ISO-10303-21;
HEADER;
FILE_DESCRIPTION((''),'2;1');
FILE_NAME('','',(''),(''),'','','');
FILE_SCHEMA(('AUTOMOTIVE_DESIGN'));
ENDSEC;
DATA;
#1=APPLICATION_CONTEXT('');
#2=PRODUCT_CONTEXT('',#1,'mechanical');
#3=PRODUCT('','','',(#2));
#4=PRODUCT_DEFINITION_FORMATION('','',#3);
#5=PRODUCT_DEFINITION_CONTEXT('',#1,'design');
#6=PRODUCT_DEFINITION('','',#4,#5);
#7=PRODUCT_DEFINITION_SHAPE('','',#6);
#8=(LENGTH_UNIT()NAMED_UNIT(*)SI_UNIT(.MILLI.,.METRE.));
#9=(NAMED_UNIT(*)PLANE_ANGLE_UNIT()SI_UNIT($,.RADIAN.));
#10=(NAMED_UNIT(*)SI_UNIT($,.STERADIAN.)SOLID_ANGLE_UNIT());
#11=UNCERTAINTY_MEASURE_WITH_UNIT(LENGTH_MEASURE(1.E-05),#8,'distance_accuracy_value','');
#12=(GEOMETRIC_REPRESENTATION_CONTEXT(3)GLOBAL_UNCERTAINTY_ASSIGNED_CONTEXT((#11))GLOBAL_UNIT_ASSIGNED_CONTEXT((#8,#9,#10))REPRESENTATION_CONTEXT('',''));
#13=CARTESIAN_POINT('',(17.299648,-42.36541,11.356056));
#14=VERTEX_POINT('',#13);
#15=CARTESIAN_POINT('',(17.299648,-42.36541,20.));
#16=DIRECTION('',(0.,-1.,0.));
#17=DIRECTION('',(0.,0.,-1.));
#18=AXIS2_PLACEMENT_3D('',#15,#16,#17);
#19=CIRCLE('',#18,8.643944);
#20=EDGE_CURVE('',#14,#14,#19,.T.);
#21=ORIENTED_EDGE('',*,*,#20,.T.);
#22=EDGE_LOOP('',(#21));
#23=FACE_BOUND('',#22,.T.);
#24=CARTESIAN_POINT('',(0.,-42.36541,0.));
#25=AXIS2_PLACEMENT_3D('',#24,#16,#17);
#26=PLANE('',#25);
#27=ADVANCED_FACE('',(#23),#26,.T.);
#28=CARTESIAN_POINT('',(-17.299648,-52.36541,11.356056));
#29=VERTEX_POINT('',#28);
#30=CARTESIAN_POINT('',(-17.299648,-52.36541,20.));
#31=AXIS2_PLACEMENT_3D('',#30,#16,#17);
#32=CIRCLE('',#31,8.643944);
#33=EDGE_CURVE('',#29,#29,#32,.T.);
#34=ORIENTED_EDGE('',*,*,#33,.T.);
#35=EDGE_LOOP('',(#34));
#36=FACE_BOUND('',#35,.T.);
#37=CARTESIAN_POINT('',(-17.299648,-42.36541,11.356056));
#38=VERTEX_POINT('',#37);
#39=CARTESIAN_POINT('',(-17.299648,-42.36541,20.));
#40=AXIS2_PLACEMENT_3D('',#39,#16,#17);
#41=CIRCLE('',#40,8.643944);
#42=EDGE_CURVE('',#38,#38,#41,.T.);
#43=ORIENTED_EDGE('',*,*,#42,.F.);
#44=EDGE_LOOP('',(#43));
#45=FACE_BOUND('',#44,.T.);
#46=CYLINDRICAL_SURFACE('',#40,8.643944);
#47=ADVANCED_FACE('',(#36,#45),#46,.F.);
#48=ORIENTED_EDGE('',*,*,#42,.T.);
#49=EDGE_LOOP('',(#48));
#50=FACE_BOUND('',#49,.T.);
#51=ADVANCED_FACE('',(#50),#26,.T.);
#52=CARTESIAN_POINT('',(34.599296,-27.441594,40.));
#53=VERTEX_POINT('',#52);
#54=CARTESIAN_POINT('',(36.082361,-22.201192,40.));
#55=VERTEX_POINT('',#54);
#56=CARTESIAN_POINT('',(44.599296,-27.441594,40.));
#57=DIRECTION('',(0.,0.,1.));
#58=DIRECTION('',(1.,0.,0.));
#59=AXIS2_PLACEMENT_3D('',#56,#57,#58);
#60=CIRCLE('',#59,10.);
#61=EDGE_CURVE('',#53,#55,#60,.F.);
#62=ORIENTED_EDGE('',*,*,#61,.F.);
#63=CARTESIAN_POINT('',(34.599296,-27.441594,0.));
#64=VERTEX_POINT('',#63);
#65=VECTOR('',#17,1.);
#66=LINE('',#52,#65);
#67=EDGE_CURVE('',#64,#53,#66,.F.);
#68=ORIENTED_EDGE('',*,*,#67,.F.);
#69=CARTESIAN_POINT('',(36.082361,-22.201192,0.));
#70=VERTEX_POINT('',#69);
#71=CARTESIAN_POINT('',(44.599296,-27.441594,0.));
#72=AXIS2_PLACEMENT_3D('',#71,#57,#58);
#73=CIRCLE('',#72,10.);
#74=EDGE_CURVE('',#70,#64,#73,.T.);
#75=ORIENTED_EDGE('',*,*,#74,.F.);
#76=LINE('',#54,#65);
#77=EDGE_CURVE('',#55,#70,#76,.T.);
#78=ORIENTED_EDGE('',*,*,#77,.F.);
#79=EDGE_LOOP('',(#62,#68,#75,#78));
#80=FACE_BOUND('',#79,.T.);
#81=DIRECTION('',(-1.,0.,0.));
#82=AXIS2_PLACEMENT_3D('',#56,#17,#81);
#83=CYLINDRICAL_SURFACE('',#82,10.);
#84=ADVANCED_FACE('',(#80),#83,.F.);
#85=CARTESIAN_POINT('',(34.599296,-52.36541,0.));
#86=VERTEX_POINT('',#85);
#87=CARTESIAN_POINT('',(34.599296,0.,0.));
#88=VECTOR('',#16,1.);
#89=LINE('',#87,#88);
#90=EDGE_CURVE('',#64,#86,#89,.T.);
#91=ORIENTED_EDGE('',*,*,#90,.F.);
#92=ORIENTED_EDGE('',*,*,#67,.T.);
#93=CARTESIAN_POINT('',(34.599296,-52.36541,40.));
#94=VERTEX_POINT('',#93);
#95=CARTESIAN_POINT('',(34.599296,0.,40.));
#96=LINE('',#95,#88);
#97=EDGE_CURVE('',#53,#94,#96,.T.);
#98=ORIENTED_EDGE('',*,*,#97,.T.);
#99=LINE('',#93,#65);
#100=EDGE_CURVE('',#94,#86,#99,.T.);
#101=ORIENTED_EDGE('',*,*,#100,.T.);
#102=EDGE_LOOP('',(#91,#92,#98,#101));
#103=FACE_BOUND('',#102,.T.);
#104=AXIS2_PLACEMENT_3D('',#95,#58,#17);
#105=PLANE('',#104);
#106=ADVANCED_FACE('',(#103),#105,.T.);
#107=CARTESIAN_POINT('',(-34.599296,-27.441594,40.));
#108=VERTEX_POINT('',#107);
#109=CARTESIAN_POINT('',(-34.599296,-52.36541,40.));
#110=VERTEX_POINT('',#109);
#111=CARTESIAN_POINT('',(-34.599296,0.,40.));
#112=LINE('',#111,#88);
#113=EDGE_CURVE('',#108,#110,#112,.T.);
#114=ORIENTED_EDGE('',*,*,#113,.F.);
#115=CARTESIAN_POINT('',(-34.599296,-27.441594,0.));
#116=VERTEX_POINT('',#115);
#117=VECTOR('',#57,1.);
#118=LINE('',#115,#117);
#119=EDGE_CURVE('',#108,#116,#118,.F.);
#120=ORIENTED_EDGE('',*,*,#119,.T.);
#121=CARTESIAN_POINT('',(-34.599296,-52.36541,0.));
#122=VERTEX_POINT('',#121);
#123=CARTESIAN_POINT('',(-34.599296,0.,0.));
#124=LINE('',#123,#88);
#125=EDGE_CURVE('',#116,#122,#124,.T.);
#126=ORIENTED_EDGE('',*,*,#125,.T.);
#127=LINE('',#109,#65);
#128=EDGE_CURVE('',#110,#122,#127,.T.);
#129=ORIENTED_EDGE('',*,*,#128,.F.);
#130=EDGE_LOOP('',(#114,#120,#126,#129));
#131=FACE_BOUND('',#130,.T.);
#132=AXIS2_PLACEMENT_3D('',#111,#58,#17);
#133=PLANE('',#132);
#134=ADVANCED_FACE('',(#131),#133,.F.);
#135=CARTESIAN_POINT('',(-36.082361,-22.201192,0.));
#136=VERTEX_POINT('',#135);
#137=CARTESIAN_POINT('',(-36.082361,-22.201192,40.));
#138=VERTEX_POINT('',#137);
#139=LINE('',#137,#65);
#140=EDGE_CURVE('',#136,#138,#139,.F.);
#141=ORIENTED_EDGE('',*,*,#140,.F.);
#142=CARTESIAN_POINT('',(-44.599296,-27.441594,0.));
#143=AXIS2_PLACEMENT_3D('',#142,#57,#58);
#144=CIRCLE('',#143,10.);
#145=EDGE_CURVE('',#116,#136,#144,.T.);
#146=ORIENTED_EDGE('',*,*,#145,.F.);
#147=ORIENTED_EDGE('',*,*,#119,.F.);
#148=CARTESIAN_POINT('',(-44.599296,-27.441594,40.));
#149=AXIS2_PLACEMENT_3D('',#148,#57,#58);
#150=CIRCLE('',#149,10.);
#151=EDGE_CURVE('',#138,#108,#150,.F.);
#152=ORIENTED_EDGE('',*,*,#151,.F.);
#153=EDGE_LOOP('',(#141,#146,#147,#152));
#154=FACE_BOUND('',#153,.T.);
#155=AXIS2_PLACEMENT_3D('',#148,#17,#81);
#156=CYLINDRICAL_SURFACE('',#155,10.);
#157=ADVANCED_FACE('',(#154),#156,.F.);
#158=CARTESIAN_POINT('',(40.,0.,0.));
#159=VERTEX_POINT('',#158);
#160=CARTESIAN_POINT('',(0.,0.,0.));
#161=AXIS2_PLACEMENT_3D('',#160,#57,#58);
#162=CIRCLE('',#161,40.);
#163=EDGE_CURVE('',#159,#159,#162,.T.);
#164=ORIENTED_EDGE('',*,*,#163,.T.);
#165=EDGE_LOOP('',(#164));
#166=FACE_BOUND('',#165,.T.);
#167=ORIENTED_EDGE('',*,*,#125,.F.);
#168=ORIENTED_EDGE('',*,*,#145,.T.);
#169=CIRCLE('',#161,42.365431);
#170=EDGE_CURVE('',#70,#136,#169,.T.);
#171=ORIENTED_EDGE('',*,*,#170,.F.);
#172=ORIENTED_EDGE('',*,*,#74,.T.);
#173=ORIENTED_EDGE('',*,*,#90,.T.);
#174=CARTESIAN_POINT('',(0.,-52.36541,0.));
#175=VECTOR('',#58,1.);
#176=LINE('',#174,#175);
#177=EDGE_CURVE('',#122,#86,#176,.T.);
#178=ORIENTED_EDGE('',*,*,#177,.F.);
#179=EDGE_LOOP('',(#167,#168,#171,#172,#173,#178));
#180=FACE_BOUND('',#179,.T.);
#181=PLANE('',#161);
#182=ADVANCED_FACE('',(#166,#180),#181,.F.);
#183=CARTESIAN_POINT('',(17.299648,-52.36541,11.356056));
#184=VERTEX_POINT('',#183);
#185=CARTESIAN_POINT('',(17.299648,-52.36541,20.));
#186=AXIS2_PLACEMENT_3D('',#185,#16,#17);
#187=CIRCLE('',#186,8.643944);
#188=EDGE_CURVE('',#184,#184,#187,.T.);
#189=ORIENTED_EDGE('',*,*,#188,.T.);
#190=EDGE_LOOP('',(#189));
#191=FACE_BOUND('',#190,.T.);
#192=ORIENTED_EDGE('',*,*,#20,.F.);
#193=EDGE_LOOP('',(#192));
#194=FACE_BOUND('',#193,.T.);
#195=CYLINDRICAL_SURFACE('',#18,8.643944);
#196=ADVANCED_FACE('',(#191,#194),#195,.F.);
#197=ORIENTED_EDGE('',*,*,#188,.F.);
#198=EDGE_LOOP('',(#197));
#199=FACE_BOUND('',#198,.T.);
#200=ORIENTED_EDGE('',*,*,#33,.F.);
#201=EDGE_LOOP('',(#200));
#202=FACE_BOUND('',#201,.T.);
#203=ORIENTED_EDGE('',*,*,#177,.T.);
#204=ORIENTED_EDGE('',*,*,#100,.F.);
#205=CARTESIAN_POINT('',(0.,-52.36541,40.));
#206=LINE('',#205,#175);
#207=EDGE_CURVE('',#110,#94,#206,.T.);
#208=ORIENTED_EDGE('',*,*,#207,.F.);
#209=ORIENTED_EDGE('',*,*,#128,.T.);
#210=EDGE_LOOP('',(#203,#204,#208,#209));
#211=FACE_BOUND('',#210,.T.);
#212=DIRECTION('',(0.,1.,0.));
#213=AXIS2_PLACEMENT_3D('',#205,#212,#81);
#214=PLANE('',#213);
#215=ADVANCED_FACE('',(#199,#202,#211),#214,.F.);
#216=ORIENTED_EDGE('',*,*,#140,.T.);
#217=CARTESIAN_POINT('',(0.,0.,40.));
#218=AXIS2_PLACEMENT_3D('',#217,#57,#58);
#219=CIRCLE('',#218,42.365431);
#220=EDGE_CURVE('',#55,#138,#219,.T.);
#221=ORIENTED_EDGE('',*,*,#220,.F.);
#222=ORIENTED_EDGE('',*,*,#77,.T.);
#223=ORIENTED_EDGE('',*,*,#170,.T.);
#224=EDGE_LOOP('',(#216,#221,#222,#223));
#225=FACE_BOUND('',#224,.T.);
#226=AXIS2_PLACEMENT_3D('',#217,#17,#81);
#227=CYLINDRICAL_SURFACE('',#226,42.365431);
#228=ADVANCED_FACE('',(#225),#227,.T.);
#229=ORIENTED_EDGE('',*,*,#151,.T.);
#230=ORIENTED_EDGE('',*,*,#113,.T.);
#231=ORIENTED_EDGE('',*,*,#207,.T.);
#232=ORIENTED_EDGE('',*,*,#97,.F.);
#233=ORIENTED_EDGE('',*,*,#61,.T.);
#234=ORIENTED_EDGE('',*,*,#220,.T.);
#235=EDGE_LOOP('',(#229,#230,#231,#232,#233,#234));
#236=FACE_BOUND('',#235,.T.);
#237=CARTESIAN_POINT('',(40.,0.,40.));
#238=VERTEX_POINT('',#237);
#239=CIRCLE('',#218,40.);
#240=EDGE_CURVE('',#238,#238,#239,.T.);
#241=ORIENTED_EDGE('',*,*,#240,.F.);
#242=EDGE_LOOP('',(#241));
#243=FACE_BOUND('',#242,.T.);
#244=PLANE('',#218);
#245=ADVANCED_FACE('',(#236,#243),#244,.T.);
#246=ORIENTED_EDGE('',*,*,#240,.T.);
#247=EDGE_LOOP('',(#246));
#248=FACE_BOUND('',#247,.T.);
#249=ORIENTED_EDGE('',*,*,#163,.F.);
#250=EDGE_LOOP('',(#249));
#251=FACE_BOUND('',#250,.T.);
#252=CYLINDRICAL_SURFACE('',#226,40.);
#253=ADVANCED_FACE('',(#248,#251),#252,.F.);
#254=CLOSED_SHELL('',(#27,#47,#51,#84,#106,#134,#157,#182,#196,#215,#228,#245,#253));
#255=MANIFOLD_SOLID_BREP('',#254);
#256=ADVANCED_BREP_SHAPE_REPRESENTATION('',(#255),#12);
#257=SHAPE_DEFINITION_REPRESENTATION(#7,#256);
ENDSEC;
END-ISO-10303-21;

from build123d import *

# Parameters (mm, degrees)
SKETCH1_R           = 40
BOSS_EXTRUDE1_DEPTH = 40
CUT_EXTRUDE2_DEPTH  = 10
FILLET1_R           = 10


with BuildPart() as part:
    # Sketch1 → Boss-Extrude1 (new body)
    with BuildSketch(Plane.XY):
        with BuildLine():
            Line((-34.599296367, -24.44828034), (-34.599296367, -52.365409812))
            Line((-34.599296367, -52.365409812), (34.599296367, -52.365409812))
            Line((34.599296367, -52.365409812), (34.599296367, -24.44828034))
            ThreePointArc((34.599296367, -24.44828034), (0, 42.365430727), (-34.599296367, -24.44828034))
        make_face()
        Circle(SKETCH1_R, mode=Mode.SUBTRACT)
    extrude(amount=BOSS_EXTRUDE1_DEPTH)

    # Sketch4 → Cut-Extrude2 (cut)
    with BuildSketch(Plane(origin=(0, -52.365409812, 0), x_dir=(-1, 0, 0), z_dir=(0, -1, 0))):
        with BuildLine():
            ThreePointArc((8.655703751, -20), (17.299648183, -28.643944432), (25.943592616, -20))
            Line((25.943592616, -20), (8.655703751, -20))
        make_face()
        with BuildLine():
            Line((8.655703751, -20), (25.943592616, -20))
            ThreePointArc((25.943592616, -20), (17.299648183, -11.356055568), (8.655703751, -20))
        make_face()
        with BuildLine():
            ThreePointArc((-25.943592616, -20), (-17.299648183, -28.643944432), (-8.655703751, -20))
            Line((-8.655703751, -20), (-25.943592616, -20))
        make_face()
        with BuildLine():
            Line((-25.943592616, -20), (-8.655703751, -20))
            ThreePointArc((-8.655703751, -20), (-17.299648183, -11.356055568), (-25.943592616, -20))
        make_face()
    extrude(amount=-CUT_EXTRUDE2_DEPTH, mode=Mode.SUBTRACT)

    # Fillet1
    fillet1_edges = [part.edges().sort_by_distance(p)[0] for p in [
        (-34.599296367, -24.44828034, 20),
        (34.599296367, -24.44828034, 20),
    ]]
    fillet(fillet1_edges, radius=FILLET1_R)


solid = part.part
